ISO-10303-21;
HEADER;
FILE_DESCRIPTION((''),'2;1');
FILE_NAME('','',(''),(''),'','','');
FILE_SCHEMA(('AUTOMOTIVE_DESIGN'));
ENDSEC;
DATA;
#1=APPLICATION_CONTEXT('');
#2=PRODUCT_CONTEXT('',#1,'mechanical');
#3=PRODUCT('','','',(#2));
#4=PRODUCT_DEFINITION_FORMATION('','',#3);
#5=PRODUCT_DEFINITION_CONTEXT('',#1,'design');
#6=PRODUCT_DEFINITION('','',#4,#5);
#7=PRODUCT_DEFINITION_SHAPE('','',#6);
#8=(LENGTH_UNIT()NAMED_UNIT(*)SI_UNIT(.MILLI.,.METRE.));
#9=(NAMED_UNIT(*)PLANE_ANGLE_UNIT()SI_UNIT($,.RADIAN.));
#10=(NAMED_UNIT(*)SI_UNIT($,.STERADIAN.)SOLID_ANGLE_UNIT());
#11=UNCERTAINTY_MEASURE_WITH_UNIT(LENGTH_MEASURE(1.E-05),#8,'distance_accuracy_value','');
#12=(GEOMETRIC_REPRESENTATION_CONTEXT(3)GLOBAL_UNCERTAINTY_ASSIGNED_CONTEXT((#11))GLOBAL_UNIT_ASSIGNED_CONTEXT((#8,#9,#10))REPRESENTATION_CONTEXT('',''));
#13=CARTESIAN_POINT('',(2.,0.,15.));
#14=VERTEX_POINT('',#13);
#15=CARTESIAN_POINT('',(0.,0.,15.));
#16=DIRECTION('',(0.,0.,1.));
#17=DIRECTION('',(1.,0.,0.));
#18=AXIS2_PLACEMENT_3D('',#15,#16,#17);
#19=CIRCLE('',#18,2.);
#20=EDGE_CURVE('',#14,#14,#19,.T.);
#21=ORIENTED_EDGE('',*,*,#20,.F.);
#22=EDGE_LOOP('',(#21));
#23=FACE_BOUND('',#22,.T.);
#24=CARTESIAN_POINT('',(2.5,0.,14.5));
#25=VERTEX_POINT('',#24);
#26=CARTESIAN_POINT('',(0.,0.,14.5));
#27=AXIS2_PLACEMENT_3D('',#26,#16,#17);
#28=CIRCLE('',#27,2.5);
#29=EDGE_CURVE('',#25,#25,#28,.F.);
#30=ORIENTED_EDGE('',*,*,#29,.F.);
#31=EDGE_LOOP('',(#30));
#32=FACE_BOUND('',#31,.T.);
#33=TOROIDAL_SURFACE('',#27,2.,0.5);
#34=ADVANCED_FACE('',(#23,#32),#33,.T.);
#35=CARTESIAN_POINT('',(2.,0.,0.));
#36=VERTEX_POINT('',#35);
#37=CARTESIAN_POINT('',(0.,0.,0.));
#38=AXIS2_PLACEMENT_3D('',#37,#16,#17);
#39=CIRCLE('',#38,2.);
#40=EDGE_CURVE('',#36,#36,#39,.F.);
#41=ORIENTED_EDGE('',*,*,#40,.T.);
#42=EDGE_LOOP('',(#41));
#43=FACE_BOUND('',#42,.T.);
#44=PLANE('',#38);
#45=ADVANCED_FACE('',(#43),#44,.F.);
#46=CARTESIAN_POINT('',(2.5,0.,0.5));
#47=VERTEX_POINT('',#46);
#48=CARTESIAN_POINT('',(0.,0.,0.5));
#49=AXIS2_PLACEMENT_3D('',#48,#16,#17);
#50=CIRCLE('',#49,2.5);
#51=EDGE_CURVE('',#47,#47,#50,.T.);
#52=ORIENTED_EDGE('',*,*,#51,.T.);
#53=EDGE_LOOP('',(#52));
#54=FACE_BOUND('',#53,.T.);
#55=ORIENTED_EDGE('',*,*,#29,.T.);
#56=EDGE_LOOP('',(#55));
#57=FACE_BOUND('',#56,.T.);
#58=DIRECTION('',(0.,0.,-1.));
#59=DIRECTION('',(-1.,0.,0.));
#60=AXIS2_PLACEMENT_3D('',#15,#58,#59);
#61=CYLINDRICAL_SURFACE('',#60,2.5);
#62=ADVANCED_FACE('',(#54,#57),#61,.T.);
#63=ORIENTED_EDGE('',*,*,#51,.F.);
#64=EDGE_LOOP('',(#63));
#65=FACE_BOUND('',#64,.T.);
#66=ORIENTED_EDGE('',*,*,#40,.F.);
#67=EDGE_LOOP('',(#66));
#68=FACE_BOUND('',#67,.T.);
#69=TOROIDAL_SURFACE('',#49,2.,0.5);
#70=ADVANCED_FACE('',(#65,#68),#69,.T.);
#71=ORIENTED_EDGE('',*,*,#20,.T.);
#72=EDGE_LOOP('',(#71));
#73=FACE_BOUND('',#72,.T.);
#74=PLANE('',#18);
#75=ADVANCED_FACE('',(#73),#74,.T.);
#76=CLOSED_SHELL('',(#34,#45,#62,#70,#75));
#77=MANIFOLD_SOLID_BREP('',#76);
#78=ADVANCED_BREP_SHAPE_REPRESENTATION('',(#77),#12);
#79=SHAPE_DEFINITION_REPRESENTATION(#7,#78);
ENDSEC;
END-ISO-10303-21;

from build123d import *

# Parameters (mm, degrees)
SKETCH1_R           = 2.5
BOSS_EXTRUDE1_DEPTH = 15
FILLET1_R           = 0.5


with BuildPart() as part:
    # Sketch1 → Boss-Extrude1 (new body)
    with BuildSketch(Plane.XY):
        Circle(SKETCH1_R)
    extrude(amount=BOSS_EXTRUDE1_DEPTH)

    # Fillet1
    fillet1_edges = [part.edges().sort_by_distance(p)[0] for p in [
        (-2.5, 0, 0),
        (-2.5, 0, 15),
    ]]
    fillet(fillet1_edges, radius=FILLET1_R)


solid = part.part
